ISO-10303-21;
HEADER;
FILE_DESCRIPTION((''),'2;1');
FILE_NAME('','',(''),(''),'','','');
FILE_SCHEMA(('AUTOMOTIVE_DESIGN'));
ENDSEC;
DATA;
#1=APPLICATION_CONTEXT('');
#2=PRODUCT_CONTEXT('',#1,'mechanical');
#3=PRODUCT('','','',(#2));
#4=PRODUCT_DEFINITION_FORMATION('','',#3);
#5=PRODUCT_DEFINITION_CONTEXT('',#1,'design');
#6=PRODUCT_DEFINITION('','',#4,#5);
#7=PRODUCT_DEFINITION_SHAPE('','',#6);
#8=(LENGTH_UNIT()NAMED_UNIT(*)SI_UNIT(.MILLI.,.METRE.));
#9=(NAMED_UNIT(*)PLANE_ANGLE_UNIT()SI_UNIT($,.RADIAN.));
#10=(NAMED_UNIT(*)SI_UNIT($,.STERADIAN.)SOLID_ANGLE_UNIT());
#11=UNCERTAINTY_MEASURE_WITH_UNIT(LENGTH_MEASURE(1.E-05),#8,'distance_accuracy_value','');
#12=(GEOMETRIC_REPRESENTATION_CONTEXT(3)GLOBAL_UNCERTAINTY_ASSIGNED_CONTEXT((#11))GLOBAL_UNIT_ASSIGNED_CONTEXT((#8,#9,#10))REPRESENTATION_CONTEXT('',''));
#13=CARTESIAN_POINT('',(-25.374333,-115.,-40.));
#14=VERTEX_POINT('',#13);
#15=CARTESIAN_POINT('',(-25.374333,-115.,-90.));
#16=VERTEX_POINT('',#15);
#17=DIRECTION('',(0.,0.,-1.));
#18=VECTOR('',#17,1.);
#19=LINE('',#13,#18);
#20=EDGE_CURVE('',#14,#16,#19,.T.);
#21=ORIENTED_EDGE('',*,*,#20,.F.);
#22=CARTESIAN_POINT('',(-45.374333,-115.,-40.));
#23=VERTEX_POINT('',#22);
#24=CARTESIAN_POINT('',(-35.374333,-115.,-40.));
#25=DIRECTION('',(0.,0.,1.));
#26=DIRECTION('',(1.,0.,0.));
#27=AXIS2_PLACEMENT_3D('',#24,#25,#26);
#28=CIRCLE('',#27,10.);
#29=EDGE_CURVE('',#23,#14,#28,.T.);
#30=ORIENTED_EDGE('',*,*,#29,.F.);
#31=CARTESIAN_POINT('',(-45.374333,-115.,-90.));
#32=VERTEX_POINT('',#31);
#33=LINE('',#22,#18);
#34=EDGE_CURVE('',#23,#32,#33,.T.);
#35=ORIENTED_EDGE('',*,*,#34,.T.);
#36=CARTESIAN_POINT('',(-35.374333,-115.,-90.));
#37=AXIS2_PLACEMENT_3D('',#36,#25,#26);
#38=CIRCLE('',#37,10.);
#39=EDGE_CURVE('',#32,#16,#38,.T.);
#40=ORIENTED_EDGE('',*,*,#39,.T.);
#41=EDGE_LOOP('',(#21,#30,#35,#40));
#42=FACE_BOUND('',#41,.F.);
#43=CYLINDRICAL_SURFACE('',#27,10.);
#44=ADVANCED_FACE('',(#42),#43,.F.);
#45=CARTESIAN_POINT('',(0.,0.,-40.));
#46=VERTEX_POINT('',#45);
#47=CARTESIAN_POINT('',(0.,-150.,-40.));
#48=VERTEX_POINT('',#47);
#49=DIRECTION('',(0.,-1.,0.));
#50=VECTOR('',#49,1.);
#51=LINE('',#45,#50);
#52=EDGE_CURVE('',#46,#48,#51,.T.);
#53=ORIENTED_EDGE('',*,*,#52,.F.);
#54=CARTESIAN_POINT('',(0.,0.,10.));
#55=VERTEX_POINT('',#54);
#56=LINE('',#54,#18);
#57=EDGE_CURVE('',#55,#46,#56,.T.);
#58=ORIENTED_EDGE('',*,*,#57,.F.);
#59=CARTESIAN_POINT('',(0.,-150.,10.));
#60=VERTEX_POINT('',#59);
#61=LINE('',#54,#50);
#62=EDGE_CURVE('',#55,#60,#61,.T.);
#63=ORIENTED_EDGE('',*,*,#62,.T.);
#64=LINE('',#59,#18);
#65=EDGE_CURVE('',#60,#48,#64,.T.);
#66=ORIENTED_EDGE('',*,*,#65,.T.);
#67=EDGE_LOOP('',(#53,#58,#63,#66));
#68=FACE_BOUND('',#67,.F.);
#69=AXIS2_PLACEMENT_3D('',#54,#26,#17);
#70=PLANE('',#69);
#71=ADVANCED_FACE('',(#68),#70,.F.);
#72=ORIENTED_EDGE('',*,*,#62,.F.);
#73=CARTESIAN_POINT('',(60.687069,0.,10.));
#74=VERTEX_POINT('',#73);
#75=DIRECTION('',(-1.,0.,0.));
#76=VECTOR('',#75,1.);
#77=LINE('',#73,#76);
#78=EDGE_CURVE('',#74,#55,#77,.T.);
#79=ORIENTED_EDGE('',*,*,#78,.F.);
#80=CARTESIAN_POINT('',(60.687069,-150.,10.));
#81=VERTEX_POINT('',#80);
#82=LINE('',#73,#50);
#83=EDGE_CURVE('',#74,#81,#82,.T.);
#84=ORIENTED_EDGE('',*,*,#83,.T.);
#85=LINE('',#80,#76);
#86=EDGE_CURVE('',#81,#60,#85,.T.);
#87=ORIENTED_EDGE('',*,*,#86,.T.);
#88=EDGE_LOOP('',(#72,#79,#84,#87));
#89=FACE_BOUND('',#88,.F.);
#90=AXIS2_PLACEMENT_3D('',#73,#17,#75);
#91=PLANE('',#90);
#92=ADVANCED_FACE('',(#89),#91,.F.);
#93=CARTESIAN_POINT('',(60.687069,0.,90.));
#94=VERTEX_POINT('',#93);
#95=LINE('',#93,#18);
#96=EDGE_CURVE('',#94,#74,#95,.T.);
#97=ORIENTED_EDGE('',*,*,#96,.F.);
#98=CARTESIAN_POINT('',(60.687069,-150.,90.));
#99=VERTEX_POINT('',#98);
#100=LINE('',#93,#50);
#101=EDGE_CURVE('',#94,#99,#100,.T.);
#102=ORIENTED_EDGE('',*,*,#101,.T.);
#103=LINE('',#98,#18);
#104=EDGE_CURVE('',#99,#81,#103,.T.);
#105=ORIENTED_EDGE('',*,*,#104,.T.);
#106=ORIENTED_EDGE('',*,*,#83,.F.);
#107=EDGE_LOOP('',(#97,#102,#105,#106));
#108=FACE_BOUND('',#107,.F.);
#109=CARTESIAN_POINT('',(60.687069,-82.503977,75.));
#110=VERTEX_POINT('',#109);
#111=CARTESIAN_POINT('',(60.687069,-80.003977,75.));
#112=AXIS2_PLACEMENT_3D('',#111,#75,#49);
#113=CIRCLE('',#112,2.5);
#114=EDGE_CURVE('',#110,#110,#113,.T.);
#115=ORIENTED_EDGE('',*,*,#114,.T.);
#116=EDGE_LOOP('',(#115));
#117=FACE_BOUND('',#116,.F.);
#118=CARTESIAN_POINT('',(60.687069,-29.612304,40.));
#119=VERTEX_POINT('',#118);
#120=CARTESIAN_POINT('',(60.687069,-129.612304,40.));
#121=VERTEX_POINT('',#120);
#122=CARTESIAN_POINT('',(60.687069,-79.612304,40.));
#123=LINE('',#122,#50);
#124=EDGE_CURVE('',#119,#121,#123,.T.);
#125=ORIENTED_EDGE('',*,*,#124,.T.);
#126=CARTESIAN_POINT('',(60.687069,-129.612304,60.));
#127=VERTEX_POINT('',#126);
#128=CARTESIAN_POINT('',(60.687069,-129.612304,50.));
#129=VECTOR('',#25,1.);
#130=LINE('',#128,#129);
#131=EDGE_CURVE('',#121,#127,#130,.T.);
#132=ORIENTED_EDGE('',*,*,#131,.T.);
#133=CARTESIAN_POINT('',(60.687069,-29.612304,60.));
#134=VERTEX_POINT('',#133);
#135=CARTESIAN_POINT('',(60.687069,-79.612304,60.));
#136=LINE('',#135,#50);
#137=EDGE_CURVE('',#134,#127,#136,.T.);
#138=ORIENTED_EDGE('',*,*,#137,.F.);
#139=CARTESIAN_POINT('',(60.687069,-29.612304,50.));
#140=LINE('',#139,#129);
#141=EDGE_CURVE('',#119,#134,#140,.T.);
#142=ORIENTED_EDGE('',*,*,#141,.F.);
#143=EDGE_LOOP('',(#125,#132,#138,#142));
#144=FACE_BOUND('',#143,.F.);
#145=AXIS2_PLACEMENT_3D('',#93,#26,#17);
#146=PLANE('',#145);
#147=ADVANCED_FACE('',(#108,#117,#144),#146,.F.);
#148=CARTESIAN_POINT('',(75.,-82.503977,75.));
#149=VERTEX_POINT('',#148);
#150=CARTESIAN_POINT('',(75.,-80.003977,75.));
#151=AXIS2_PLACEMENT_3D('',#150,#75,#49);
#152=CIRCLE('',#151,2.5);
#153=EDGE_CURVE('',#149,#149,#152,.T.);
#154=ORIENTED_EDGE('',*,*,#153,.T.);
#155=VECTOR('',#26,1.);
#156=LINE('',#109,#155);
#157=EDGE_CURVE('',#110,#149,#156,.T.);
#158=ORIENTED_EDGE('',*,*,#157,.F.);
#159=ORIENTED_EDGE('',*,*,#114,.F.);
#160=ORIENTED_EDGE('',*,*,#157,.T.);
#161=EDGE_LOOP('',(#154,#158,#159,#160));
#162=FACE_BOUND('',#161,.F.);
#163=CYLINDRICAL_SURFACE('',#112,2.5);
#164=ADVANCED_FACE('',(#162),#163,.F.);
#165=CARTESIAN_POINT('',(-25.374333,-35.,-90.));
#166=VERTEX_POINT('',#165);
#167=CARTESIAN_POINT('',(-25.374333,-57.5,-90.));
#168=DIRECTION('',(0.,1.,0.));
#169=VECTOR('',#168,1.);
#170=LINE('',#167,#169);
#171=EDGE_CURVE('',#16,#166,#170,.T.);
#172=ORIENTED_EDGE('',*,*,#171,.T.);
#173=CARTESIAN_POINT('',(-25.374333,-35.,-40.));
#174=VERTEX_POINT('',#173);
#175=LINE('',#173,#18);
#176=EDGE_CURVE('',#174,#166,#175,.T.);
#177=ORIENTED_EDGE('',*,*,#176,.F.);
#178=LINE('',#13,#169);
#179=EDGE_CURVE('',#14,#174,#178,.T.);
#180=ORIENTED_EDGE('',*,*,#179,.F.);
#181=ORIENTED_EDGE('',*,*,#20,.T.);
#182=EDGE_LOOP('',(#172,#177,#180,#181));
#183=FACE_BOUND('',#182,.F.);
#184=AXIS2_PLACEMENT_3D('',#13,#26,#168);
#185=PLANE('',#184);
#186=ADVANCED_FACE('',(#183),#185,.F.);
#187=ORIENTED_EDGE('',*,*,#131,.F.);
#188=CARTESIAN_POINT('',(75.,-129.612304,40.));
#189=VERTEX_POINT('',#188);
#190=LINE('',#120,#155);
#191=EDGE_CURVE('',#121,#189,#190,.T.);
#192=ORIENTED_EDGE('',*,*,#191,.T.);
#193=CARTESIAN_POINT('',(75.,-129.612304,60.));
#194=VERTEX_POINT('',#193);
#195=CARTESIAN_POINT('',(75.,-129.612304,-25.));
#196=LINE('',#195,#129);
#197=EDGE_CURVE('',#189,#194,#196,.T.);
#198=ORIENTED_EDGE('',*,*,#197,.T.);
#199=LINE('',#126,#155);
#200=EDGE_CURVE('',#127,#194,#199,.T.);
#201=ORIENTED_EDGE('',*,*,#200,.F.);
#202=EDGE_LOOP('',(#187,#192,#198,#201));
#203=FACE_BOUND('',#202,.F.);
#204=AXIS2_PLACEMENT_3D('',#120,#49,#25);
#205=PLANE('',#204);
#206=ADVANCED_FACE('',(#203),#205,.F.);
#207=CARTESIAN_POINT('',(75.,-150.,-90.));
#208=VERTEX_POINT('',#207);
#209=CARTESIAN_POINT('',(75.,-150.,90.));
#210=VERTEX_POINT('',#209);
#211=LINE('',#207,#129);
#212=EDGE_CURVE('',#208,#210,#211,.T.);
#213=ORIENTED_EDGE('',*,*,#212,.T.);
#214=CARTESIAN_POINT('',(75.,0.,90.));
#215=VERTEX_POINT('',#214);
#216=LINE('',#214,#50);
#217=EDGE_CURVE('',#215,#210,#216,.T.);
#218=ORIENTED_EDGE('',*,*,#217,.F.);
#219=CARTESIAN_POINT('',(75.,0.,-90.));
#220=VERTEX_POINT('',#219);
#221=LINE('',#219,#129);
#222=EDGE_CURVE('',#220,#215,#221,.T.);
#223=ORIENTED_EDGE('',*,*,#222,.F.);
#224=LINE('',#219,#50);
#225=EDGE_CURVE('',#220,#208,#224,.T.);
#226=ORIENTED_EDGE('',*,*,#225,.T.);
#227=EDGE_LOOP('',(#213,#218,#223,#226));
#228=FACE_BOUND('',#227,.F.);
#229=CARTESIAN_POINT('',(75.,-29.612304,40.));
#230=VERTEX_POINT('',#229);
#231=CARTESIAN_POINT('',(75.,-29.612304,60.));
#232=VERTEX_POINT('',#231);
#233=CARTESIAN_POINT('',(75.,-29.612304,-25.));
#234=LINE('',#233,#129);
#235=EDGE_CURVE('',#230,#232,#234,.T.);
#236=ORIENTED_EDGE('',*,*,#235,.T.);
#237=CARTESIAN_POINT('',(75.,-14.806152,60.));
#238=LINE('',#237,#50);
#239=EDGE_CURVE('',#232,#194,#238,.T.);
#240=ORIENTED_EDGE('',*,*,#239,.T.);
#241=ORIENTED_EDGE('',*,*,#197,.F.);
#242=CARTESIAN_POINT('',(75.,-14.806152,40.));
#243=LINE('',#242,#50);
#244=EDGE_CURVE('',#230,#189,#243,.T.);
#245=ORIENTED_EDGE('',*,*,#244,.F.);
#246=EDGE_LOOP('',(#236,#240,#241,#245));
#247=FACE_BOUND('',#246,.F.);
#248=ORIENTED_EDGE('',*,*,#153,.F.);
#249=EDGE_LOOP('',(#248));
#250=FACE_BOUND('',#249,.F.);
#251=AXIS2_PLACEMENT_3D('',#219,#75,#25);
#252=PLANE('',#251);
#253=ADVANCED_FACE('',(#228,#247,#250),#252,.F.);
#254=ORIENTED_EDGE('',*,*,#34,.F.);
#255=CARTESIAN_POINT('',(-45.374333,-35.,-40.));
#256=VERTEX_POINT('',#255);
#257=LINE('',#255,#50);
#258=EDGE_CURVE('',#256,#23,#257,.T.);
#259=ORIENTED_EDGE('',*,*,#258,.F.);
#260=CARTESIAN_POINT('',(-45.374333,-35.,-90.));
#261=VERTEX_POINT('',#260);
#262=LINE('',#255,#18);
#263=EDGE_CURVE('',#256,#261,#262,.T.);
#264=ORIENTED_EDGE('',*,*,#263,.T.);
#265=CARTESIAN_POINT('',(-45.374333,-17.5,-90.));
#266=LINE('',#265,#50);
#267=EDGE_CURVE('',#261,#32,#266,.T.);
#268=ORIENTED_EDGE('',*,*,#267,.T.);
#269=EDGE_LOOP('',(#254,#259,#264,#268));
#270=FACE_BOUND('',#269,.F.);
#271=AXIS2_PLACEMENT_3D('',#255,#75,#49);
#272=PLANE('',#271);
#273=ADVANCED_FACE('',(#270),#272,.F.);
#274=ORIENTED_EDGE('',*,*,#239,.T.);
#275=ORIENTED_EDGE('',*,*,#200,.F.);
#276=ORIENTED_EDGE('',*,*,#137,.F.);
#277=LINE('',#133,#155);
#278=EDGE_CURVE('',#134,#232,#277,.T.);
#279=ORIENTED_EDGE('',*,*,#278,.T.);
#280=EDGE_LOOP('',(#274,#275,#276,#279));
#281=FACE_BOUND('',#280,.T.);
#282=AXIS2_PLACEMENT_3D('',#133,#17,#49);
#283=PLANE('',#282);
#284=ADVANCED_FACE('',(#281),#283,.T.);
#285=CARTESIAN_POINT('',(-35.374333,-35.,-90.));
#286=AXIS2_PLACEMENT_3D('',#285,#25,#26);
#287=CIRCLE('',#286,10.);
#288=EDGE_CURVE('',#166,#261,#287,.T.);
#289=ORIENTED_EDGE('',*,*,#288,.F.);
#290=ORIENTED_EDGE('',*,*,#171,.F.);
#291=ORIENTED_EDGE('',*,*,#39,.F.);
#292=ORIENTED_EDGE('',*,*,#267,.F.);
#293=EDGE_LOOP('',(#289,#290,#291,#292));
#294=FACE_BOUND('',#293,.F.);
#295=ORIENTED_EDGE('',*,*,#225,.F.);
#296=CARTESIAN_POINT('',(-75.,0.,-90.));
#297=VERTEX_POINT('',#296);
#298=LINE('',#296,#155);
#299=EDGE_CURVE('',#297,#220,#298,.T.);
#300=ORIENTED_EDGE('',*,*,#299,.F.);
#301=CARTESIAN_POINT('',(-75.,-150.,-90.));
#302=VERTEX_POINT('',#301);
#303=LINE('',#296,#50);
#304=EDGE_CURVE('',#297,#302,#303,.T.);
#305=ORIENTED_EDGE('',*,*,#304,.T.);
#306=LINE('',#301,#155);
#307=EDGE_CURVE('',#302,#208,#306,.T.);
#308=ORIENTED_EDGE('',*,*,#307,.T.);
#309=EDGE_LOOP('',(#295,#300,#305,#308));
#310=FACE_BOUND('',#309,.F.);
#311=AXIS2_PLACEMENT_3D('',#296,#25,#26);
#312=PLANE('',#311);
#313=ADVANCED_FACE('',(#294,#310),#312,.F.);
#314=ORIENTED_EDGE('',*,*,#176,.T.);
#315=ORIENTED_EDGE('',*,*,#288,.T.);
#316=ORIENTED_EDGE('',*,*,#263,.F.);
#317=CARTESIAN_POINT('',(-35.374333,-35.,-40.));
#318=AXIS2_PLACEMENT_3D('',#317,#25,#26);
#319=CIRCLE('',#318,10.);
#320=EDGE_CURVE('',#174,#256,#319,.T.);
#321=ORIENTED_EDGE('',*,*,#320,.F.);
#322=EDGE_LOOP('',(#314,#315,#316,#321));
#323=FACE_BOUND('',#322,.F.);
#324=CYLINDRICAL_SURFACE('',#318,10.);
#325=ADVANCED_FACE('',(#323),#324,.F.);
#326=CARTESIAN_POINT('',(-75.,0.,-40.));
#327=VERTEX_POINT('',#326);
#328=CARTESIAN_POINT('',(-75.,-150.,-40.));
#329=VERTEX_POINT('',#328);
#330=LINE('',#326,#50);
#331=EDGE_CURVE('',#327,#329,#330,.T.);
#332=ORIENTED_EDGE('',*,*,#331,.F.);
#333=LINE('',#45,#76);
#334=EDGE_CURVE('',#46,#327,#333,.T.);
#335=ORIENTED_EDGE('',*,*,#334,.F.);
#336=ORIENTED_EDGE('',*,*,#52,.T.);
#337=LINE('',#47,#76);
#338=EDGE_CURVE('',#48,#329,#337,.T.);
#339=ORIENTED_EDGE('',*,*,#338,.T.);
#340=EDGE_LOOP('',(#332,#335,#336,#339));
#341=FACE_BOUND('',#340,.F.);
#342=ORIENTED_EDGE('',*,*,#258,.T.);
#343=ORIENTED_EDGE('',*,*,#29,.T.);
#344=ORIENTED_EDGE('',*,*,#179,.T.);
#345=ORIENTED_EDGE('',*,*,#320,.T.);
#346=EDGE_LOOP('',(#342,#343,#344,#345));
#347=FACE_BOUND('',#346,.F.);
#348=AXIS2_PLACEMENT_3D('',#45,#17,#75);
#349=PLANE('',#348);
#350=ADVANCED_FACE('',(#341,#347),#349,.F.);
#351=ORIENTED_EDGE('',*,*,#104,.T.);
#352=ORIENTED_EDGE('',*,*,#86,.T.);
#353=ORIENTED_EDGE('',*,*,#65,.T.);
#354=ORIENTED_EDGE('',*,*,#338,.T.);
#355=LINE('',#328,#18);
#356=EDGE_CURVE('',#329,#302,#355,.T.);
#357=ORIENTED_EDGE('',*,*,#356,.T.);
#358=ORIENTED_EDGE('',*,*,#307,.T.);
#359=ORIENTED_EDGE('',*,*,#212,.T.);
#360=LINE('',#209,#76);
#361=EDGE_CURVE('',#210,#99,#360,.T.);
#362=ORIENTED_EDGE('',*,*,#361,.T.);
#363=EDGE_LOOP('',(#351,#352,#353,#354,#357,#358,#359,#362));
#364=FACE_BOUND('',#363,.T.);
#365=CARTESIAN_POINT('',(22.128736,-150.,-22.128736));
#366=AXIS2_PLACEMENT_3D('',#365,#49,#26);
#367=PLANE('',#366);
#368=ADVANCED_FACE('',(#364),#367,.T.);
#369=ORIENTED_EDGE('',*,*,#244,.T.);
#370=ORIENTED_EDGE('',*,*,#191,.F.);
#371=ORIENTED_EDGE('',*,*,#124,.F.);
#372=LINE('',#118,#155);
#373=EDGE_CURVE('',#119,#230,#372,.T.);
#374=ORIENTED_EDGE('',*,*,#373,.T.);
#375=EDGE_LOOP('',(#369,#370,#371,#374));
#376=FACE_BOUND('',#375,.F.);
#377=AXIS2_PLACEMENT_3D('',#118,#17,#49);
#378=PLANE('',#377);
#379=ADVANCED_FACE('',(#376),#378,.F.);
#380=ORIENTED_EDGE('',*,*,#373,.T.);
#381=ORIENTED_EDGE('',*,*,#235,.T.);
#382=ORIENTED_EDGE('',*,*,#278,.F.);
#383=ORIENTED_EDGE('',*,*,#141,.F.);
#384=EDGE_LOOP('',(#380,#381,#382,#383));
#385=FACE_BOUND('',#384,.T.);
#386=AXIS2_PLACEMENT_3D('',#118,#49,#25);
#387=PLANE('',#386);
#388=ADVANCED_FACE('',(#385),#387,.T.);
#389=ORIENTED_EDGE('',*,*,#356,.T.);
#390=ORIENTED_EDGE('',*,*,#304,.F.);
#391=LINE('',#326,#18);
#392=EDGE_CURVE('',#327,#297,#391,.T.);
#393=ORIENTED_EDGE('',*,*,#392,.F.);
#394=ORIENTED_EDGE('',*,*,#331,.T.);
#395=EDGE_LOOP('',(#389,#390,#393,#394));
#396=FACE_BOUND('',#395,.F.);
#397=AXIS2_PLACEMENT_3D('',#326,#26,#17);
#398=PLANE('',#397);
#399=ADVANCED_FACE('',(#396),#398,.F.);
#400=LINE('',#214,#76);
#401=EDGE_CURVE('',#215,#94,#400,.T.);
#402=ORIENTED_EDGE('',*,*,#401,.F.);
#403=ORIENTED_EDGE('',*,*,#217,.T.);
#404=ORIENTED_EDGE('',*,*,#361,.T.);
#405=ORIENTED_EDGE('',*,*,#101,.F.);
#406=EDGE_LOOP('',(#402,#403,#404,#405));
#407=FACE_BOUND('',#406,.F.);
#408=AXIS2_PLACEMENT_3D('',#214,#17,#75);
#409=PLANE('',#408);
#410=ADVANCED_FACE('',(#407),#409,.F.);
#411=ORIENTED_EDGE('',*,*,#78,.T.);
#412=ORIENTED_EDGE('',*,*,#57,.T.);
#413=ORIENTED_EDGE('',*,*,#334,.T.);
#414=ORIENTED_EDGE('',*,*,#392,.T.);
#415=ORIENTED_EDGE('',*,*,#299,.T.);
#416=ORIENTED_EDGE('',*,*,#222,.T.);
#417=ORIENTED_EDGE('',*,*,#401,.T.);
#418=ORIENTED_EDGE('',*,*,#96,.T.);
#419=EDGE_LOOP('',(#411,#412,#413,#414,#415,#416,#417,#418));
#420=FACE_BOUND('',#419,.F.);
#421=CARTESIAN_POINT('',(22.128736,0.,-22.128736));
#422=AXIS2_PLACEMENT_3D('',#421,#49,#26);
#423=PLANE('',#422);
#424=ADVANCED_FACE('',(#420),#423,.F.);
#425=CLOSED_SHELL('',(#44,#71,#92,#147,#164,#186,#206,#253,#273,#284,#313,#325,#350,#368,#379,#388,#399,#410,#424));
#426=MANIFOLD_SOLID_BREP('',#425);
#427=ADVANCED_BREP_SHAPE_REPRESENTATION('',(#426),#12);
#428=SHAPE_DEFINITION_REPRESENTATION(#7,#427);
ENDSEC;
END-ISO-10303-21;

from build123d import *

# Parameters (mm, degrees)
F1_DEPTH = 150
F3_DEPTH = 50.001
F4_W     = 100
F4_H     = 20
F4_R     = 2.5
F5_DEPTH = 14.313931


with BuildPart() as f1:
    # F0 (on Front) → F1 (new body)
    with BuildSketch(Plane.XZ):
        Polygon((-75, -90), (75, -90), (75, 90), (60.687069, 90), (60.687069, 10), (0, 10), (0, -40), (-75, -40), align=None)
    extrude(amount=F1_DEPTH)

    # F2 (on face) → F3 (cut, through all)
    with BuildSketch(Plane.XY.offset(-40)):
        with BuildLine():
            ThreePointArc((-45.374333, -35), (-35.374333, -45), (-25.374333, -35))
            ThreePointArc((-25.374333, -35), (-35.374333, -25), (-45.374333, -35))
        make_face()
        with BuildLine():
            Line((-25.374333, -115), (-25.374333, -35))
            ThreePointArc((-25.374333, -35), (-35.374333, -45), (-45.374333, -35))
            Line((-45.374333, -35), (-45.374333, -115))
            ThreePointArc((-45.374333, -115), (-35.374333, -105), (-25.374333, -115))
        make_face()
        with BuildLine():
            ThreePointArc((-45.374333, -115), (-35.374333, -125), (-25.374333, -115))
            ThreePointArc((-25.374333, -115), (-35.374333, -105), (-45.374333, -115))
        make_face()
    extrude(amount=-F3_DEPTH, mode=Mode.SUBTRACT)

    # F4 (on face) → F5 (cut, through all)
    with BuildSketch(Plane(origin=(60.687069, 0, 0), x_dir=(0, -1, 0), z_dir=(-1, 0, 0))):
        with Locations((79.612304, 50)):
            Rectangle(F4_W, F4_H)
        with Locations((80.003977, 75)):
            Circle(F4_R)
    extrude(amount=-F5_DEPTH, mode=Mode.SUBTRACT)


solid = f1.part
